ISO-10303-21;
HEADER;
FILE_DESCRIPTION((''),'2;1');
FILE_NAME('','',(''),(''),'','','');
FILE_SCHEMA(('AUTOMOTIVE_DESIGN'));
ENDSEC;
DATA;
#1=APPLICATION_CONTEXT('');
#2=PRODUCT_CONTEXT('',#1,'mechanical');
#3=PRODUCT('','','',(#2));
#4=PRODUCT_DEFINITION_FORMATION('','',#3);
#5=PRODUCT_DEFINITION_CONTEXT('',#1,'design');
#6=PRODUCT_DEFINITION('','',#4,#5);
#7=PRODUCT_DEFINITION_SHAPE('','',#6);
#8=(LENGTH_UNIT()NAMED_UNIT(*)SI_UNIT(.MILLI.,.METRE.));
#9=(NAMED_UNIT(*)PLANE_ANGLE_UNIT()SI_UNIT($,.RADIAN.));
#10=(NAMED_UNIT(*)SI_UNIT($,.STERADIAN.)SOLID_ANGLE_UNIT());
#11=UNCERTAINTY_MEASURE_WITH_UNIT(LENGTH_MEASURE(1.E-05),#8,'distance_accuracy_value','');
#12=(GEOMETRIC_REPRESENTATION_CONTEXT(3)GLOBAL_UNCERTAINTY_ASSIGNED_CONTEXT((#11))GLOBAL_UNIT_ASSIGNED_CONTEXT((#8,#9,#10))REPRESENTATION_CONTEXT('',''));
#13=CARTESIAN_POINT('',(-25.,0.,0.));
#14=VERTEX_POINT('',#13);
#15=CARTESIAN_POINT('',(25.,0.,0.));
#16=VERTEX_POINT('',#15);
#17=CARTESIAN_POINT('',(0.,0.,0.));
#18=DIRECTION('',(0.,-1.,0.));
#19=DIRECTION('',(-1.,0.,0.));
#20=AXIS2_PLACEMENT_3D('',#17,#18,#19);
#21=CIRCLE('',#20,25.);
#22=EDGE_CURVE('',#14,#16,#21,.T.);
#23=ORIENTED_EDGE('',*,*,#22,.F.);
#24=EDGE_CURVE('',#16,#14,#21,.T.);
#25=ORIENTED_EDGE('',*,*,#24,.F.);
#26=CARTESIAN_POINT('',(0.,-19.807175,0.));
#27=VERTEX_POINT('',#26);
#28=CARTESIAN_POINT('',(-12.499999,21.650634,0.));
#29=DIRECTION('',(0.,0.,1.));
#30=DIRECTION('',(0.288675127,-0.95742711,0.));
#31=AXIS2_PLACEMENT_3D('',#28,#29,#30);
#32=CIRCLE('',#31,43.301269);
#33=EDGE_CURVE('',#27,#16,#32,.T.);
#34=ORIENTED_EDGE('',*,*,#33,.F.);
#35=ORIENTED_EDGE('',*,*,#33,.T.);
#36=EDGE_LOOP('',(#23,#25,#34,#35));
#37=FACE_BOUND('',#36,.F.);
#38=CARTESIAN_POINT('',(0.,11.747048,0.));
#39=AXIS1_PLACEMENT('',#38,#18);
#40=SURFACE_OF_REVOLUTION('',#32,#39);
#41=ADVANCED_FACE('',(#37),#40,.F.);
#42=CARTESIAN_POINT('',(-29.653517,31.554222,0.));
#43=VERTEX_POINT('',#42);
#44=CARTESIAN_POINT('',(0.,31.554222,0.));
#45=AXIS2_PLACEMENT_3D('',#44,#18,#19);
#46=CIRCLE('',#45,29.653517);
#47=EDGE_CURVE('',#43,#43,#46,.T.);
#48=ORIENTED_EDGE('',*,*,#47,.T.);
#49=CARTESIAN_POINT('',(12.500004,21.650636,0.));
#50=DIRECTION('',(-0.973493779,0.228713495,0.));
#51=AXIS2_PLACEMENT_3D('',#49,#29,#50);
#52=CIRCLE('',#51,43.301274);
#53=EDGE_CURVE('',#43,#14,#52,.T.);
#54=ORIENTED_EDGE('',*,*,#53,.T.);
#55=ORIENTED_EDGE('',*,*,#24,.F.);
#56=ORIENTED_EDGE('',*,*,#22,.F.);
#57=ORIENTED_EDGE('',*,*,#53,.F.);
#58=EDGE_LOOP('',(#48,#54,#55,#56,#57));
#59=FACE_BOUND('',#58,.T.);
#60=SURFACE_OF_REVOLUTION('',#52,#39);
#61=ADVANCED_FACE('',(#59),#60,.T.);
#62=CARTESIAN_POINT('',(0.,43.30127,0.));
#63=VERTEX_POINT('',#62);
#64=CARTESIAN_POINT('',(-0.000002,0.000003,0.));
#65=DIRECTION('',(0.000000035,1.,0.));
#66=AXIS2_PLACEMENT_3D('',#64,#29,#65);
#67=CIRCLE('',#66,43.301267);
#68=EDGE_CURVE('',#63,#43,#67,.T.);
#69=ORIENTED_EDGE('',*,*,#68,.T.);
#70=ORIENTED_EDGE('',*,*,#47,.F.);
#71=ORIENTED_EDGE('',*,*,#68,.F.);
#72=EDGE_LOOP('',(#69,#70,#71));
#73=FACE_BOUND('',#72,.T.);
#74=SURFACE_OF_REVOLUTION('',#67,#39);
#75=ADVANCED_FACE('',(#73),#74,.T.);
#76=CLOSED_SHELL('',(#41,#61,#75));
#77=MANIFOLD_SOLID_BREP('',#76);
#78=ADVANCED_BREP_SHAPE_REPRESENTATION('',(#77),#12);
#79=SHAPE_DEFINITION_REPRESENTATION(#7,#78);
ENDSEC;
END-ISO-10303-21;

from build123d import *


with BuildPart() as f1:
    # F0 (on Top) → F1 (revolve)
    with BuildSketch(Plane.XY):
        with BuildLine():
            ThreePointArc((0, -19.807175), (14.390166, -12.289297), (25, 0))
            Line((25, 0), (0, 0))
            Line((0, 0), (0, -19.807175))
        make_face()
        Polygon((0, 0), (0, 43.30127), (-25, 0), align=None)
        with BuildLine():
            Line((-25, 0), (0, 43.30127))
            ThreePointArc((0, 43.30127), (-15.94776, 40.257533), (-29.653517, 31.554222))
            ThreePointArc((-29.653517, 31.554222), (-30.337926, 15.333034), (-25, 0))
        make_face()
    revolve(axis=Axis((0, 11.747048, 0), (0, -1, 0)))


solid = f1.part
